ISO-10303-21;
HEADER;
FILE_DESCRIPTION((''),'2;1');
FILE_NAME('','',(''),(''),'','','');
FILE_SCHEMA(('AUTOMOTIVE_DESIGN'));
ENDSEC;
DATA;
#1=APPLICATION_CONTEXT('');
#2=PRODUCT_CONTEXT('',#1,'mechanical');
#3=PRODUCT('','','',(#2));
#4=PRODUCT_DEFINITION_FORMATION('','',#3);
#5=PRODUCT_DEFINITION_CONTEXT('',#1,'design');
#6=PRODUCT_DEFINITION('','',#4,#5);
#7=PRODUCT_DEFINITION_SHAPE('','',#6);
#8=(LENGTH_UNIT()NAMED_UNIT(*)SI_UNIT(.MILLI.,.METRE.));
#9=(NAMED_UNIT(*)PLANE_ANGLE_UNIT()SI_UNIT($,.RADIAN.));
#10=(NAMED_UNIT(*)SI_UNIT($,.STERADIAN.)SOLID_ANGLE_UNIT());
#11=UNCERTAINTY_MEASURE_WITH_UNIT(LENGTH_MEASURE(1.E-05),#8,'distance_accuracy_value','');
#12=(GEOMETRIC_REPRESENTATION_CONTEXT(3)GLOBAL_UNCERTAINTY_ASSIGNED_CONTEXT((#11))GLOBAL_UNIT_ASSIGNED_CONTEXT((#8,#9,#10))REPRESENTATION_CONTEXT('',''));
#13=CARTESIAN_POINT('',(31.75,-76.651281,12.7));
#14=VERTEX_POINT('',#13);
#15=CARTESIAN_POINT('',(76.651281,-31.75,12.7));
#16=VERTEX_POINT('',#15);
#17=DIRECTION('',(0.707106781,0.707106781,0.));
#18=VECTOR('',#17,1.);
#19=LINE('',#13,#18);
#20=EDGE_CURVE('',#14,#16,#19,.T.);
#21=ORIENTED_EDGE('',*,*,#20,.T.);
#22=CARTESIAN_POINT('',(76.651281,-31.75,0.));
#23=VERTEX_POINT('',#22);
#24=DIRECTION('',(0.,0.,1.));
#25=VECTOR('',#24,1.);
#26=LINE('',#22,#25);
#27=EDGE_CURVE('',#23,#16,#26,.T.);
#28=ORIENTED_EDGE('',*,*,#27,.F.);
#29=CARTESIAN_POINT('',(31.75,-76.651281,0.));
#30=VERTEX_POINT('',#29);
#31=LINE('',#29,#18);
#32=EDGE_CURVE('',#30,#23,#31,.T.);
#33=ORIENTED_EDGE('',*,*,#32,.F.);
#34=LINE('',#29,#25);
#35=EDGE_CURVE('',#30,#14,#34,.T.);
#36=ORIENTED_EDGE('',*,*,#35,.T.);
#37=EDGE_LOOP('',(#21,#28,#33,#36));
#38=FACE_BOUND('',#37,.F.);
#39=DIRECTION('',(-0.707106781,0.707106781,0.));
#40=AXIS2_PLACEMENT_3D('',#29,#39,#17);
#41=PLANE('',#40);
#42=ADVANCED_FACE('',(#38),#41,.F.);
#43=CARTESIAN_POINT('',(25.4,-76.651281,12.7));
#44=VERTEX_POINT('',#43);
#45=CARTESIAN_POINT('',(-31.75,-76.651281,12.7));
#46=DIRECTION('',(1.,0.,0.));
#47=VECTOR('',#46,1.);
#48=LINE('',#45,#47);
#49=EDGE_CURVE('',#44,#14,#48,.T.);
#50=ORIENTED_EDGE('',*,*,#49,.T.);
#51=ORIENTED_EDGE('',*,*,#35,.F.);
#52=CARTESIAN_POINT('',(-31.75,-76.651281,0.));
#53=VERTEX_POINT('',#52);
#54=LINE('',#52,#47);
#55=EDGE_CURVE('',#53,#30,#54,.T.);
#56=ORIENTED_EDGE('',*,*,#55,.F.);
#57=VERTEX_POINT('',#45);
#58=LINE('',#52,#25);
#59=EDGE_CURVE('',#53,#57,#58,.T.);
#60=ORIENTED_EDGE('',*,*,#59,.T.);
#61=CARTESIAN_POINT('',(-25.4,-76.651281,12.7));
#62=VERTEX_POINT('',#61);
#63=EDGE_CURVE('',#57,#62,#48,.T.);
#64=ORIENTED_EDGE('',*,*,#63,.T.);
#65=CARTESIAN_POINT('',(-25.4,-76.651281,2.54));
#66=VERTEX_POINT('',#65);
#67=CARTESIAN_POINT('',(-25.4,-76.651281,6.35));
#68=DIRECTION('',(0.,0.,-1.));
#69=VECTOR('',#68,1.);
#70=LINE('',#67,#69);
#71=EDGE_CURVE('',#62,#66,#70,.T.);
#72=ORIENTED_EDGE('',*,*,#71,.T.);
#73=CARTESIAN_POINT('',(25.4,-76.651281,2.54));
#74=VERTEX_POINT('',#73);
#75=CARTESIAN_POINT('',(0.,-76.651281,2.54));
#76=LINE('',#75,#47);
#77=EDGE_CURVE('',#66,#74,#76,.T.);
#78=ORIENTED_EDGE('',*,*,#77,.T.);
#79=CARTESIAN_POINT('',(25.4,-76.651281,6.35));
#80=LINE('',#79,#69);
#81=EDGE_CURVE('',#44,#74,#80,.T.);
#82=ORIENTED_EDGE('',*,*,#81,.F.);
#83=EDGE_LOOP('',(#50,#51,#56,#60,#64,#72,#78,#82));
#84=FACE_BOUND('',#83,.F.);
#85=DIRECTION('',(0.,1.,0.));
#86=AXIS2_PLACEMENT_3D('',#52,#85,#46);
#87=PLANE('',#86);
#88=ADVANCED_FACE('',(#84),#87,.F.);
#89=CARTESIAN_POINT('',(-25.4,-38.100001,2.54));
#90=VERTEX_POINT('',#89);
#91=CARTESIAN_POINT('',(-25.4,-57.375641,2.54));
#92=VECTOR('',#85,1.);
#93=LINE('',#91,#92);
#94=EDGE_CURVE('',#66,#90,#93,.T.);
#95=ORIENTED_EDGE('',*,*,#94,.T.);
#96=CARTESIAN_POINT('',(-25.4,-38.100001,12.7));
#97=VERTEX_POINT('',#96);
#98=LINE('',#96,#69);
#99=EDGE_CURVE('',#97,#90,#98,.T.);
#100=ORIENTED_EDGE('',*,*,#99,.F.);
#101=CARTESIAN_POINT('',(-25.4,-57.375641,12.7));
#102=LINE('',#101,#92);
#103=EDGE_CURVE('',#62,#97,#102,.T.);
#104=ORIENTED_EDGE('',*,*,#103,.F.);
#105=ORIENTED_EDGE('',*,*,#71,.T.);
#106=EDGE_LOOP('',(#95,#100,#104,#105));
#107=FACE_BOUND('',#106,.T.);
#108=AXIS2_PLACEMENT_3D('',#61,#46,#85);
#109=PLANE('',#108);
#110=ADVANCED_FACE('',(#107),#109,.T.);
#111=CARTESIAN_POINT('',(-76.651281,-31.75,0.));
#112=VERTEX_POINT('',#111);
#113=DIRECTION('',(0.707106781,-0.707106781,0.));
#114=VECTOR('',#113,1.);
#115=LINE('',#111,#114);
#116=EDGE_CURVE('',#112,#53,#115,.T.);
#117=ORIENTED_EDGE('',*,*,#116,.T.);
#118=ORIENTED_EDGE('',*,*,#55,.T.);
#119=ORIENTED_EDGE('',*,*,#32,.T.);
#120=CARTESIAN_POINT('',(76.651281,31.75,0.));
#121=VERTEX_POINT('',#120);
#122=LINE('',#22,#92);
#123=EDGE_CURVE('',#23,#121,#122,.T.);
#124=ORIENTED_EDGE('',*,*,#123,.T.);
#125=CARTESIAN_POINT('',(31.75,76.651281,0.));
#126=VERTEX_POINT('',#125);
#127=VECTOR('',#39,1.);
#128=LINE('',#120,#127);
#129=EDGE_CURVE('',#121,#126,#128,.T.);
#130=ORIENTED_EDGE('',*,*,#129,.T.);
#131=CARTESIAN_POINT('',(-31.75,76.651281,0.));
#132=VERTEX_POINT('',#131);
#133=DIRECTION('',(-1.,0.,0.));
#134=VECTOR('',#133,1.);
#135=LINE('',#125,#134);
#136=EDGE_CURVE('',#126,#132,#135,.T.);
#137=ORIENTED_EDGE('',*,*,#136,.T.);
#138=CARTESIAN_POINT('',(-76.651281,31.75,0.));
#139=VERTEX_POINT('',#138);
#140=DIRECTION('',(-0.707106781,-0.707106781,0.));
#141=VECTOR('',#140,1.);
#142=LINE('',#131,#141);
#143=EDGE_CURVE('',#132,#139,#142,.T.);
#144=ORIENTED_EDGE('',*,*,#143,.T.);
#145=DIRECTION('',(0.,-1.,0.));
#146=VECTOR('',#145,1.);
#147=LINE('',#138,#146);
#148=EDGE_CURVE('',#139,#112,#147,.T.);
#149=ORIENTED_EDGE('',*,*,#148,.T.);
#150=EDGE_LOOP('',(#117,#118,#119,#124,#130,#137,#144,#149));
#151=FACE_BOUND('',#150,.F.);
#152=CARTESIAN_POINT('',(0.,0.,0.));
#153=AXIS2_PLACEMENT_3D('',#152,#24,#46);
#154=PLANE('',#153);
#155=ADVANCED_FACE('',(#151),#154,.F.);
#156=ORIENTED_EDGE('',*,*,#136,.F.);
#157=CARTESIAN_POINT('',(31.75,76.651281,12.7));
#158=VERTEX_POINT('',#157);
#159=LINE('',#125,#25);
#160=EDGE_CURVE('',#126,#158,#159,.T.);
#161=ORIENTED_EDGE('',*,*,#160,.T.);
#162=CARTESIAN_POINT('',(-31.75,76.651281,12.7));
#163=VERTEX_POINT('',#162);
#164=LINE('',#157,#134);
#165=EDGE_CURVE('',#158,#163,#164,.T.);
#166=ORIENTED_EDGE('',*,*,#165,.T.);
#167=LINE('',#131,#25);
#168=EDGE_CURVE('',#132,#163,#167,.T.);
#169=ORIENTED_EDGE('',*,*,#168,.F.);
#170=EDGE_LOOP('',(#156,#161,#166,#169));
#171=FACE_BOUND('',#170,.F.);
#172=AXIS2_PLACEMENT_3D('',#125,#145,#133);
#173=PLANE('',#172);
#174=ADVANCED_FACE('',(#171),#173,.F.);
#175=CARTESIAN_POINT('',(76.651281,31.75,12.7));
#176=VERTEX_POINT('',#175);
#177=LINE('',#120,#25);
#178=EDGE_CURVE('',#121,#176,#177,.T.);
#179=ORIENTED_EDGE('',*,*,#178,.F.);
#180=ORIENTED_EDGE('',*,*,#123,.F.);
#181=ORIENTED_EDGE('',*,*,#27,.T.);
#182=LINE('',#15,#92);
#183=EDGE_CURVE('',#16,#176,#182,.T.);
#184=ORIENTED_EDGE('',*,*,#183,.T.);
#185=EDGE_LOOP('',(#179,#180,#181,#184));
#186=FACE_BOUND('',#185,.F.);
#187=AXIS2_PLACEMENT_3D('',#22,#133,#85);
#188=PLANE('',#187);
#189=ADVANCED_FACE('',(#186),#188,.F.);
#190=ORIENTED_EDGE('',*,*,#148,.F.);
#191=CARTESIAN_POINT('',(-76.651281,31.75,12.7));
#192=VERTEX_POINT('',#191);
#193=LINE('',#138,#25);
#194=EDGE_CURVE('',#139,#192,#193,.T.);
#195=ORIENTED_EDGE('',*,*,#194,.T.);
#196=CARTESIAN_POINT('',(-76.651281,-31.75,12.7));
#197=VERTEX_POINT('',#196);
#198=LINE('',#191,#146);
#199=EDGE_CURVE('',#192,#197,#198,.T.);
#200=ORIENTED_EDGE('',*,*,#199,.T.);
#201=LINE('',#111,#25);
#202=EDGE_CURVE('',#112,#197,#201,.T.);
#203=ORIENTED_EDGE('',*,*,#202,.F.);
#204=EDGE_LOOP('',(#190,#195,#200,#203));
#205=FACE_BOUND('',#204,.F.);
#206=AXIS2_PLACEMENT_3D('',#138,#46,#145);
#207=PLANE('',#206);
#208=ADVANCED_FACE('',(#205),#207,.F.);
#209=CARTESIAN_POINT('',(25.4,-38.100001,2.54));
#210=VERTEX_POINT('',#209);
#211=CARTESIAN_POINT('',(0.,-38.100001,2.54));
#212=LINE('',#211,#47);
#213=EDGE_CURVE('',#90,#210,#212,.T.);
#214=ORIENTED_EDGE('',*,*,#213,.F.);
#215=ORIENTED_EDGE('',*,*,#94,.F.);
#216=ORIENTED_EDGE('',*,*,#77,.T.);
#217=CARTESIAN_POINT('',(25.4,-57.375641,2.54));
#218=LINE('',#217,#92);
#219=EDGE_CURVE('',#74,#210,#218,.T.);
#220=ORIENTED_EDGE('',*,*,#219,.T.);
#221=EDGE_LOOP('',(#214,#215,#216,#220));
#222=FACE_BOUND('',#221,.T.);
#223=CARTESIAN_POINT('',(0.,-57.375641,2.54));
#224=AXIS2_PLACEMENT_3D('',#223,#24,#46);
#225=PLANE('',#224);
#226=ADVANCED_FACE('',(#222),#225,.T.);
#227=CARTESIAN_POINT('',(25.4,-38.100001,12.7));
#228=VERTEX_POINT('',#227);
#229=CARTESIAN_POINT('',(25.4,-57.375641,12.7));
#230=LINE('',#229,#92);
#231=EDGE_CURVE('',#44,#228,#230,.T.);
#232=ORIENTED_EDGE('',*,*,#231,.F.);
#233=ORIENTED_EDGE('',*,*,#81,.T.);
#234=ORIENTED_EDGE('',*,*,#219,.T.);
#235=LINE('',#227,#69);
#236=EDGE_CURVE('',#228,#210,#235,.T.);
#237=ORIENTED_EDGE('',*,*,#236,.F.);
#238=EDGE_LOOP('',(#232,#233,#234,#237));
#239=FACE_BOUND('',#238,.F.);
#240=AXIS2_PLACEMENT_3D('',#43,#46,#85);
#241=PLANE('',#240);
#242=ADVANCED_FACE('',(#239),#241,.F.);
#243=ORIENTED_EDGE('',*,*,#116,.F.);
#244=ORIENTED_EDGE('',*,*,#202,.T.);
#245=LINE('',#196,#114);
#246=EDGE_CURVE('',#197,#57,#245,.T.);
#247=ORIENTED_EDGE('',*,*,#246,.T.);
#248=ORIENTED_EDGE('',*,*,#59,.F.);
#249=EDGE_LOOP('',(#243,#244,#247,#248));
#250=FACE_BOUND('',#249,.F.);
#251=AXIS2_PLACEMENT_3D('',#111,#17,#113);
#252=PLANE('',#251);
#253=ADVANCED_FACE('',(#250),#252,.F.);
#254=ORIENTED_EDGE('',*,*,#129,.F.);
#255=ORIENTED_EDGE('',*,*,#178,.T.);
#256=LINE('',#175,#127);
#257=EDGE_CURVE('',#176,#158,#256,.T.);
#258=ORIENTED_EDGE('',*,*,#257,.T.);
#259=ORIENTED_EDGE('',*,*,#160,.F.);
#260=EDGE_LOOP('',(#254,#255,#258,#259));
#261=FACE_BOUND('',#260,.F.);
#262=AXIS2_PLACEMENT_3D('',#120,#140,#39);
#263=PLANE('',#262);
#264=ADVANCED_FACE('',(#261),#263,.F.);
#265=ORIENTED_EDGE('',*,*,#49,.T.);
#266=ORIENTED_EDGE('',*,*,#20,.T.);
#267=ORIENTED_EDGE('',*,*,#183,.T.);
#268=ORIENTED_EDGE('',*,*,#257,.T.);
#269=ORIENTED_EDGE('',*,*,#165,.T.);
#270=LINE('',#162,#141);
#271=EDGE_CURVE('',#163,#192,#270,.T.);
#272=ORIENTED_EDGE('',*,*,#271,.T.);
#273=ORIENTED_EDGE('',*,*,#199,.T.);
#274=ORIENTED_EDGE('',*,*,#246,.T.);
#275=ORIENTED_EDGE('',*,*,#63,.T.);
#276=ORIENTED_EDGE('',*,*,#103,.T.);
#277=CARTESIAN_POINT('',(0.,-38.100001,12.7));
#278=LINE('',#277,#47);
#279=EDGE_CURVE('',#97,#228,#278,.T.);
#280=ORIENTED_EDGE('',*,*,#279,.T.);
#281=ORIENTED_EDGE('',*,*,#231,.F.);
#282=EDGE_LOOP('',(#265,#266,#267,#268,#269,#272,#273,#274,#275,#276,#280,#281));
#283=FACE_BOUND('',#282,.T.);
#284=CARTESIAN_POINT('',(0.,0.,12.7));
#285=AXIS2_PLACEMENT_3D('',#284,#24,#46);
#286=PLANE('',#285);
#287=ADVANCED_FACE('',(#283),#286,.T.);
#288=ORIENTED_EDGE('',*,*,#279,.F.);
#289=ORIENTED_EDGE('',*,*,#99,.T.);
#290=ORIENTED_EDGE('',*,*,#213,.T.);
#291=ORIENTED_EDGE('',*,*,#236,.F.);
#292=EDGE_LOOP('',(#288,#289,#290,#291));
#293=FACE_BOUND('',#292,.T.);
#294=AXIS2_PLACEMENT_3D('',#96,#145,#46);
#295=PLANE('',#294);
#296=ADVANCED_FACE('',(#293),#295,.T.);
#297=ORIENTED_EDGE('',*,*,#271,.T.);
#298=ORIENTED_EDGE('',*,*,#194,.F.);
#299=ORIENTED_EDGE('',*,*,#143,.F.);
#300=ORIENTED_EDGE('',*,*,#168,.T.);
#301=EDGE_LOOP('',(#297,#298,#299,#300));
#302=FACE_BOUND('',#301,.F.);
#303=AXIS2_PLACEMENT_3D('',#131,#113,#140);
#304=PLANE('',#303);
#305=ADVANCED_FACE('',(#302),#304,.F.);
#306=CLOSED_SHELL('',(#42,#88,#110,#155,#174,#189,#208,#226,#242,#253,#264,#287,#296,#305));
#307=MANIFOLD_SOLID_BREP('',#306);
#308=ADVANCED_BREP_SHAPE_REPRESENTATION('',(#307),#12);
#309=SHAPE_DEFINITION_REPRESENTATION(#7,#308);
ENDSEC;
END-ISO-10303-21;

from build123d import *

# Parameters (mm, degrees)
F1_DEPTH = 12.7
F2_W     = 50.8
F2_H     = 38.551281
F3_DEPTH = 10.16


with BuildPart() as f1:
    # F0 (on Top) → F1 (new body)
    with BuildSketch(Plane.XY):
        Polygon((76.651281, -31.75), (76.651281, 31.75), (31.75, 76.651281), (-31.75, 76.651281), (-76.651281, 31.75), (-76.651281, -31.75), (-31.75, -76.651281), (31.75, -76.651281), align=None)
    extrude(amount=F1_DEPTH)

    # F2 (on face) → F3 (cut)
    with BuildSketch(Plane.XY.offset(12.7)):
        with Locations((0, -57.375641)):
            Rectangle(F2_W, F2_H)
    extrude(amount=-F3_DEPTH, mode=Mode.SUBTRACT)


solid = f1.part
